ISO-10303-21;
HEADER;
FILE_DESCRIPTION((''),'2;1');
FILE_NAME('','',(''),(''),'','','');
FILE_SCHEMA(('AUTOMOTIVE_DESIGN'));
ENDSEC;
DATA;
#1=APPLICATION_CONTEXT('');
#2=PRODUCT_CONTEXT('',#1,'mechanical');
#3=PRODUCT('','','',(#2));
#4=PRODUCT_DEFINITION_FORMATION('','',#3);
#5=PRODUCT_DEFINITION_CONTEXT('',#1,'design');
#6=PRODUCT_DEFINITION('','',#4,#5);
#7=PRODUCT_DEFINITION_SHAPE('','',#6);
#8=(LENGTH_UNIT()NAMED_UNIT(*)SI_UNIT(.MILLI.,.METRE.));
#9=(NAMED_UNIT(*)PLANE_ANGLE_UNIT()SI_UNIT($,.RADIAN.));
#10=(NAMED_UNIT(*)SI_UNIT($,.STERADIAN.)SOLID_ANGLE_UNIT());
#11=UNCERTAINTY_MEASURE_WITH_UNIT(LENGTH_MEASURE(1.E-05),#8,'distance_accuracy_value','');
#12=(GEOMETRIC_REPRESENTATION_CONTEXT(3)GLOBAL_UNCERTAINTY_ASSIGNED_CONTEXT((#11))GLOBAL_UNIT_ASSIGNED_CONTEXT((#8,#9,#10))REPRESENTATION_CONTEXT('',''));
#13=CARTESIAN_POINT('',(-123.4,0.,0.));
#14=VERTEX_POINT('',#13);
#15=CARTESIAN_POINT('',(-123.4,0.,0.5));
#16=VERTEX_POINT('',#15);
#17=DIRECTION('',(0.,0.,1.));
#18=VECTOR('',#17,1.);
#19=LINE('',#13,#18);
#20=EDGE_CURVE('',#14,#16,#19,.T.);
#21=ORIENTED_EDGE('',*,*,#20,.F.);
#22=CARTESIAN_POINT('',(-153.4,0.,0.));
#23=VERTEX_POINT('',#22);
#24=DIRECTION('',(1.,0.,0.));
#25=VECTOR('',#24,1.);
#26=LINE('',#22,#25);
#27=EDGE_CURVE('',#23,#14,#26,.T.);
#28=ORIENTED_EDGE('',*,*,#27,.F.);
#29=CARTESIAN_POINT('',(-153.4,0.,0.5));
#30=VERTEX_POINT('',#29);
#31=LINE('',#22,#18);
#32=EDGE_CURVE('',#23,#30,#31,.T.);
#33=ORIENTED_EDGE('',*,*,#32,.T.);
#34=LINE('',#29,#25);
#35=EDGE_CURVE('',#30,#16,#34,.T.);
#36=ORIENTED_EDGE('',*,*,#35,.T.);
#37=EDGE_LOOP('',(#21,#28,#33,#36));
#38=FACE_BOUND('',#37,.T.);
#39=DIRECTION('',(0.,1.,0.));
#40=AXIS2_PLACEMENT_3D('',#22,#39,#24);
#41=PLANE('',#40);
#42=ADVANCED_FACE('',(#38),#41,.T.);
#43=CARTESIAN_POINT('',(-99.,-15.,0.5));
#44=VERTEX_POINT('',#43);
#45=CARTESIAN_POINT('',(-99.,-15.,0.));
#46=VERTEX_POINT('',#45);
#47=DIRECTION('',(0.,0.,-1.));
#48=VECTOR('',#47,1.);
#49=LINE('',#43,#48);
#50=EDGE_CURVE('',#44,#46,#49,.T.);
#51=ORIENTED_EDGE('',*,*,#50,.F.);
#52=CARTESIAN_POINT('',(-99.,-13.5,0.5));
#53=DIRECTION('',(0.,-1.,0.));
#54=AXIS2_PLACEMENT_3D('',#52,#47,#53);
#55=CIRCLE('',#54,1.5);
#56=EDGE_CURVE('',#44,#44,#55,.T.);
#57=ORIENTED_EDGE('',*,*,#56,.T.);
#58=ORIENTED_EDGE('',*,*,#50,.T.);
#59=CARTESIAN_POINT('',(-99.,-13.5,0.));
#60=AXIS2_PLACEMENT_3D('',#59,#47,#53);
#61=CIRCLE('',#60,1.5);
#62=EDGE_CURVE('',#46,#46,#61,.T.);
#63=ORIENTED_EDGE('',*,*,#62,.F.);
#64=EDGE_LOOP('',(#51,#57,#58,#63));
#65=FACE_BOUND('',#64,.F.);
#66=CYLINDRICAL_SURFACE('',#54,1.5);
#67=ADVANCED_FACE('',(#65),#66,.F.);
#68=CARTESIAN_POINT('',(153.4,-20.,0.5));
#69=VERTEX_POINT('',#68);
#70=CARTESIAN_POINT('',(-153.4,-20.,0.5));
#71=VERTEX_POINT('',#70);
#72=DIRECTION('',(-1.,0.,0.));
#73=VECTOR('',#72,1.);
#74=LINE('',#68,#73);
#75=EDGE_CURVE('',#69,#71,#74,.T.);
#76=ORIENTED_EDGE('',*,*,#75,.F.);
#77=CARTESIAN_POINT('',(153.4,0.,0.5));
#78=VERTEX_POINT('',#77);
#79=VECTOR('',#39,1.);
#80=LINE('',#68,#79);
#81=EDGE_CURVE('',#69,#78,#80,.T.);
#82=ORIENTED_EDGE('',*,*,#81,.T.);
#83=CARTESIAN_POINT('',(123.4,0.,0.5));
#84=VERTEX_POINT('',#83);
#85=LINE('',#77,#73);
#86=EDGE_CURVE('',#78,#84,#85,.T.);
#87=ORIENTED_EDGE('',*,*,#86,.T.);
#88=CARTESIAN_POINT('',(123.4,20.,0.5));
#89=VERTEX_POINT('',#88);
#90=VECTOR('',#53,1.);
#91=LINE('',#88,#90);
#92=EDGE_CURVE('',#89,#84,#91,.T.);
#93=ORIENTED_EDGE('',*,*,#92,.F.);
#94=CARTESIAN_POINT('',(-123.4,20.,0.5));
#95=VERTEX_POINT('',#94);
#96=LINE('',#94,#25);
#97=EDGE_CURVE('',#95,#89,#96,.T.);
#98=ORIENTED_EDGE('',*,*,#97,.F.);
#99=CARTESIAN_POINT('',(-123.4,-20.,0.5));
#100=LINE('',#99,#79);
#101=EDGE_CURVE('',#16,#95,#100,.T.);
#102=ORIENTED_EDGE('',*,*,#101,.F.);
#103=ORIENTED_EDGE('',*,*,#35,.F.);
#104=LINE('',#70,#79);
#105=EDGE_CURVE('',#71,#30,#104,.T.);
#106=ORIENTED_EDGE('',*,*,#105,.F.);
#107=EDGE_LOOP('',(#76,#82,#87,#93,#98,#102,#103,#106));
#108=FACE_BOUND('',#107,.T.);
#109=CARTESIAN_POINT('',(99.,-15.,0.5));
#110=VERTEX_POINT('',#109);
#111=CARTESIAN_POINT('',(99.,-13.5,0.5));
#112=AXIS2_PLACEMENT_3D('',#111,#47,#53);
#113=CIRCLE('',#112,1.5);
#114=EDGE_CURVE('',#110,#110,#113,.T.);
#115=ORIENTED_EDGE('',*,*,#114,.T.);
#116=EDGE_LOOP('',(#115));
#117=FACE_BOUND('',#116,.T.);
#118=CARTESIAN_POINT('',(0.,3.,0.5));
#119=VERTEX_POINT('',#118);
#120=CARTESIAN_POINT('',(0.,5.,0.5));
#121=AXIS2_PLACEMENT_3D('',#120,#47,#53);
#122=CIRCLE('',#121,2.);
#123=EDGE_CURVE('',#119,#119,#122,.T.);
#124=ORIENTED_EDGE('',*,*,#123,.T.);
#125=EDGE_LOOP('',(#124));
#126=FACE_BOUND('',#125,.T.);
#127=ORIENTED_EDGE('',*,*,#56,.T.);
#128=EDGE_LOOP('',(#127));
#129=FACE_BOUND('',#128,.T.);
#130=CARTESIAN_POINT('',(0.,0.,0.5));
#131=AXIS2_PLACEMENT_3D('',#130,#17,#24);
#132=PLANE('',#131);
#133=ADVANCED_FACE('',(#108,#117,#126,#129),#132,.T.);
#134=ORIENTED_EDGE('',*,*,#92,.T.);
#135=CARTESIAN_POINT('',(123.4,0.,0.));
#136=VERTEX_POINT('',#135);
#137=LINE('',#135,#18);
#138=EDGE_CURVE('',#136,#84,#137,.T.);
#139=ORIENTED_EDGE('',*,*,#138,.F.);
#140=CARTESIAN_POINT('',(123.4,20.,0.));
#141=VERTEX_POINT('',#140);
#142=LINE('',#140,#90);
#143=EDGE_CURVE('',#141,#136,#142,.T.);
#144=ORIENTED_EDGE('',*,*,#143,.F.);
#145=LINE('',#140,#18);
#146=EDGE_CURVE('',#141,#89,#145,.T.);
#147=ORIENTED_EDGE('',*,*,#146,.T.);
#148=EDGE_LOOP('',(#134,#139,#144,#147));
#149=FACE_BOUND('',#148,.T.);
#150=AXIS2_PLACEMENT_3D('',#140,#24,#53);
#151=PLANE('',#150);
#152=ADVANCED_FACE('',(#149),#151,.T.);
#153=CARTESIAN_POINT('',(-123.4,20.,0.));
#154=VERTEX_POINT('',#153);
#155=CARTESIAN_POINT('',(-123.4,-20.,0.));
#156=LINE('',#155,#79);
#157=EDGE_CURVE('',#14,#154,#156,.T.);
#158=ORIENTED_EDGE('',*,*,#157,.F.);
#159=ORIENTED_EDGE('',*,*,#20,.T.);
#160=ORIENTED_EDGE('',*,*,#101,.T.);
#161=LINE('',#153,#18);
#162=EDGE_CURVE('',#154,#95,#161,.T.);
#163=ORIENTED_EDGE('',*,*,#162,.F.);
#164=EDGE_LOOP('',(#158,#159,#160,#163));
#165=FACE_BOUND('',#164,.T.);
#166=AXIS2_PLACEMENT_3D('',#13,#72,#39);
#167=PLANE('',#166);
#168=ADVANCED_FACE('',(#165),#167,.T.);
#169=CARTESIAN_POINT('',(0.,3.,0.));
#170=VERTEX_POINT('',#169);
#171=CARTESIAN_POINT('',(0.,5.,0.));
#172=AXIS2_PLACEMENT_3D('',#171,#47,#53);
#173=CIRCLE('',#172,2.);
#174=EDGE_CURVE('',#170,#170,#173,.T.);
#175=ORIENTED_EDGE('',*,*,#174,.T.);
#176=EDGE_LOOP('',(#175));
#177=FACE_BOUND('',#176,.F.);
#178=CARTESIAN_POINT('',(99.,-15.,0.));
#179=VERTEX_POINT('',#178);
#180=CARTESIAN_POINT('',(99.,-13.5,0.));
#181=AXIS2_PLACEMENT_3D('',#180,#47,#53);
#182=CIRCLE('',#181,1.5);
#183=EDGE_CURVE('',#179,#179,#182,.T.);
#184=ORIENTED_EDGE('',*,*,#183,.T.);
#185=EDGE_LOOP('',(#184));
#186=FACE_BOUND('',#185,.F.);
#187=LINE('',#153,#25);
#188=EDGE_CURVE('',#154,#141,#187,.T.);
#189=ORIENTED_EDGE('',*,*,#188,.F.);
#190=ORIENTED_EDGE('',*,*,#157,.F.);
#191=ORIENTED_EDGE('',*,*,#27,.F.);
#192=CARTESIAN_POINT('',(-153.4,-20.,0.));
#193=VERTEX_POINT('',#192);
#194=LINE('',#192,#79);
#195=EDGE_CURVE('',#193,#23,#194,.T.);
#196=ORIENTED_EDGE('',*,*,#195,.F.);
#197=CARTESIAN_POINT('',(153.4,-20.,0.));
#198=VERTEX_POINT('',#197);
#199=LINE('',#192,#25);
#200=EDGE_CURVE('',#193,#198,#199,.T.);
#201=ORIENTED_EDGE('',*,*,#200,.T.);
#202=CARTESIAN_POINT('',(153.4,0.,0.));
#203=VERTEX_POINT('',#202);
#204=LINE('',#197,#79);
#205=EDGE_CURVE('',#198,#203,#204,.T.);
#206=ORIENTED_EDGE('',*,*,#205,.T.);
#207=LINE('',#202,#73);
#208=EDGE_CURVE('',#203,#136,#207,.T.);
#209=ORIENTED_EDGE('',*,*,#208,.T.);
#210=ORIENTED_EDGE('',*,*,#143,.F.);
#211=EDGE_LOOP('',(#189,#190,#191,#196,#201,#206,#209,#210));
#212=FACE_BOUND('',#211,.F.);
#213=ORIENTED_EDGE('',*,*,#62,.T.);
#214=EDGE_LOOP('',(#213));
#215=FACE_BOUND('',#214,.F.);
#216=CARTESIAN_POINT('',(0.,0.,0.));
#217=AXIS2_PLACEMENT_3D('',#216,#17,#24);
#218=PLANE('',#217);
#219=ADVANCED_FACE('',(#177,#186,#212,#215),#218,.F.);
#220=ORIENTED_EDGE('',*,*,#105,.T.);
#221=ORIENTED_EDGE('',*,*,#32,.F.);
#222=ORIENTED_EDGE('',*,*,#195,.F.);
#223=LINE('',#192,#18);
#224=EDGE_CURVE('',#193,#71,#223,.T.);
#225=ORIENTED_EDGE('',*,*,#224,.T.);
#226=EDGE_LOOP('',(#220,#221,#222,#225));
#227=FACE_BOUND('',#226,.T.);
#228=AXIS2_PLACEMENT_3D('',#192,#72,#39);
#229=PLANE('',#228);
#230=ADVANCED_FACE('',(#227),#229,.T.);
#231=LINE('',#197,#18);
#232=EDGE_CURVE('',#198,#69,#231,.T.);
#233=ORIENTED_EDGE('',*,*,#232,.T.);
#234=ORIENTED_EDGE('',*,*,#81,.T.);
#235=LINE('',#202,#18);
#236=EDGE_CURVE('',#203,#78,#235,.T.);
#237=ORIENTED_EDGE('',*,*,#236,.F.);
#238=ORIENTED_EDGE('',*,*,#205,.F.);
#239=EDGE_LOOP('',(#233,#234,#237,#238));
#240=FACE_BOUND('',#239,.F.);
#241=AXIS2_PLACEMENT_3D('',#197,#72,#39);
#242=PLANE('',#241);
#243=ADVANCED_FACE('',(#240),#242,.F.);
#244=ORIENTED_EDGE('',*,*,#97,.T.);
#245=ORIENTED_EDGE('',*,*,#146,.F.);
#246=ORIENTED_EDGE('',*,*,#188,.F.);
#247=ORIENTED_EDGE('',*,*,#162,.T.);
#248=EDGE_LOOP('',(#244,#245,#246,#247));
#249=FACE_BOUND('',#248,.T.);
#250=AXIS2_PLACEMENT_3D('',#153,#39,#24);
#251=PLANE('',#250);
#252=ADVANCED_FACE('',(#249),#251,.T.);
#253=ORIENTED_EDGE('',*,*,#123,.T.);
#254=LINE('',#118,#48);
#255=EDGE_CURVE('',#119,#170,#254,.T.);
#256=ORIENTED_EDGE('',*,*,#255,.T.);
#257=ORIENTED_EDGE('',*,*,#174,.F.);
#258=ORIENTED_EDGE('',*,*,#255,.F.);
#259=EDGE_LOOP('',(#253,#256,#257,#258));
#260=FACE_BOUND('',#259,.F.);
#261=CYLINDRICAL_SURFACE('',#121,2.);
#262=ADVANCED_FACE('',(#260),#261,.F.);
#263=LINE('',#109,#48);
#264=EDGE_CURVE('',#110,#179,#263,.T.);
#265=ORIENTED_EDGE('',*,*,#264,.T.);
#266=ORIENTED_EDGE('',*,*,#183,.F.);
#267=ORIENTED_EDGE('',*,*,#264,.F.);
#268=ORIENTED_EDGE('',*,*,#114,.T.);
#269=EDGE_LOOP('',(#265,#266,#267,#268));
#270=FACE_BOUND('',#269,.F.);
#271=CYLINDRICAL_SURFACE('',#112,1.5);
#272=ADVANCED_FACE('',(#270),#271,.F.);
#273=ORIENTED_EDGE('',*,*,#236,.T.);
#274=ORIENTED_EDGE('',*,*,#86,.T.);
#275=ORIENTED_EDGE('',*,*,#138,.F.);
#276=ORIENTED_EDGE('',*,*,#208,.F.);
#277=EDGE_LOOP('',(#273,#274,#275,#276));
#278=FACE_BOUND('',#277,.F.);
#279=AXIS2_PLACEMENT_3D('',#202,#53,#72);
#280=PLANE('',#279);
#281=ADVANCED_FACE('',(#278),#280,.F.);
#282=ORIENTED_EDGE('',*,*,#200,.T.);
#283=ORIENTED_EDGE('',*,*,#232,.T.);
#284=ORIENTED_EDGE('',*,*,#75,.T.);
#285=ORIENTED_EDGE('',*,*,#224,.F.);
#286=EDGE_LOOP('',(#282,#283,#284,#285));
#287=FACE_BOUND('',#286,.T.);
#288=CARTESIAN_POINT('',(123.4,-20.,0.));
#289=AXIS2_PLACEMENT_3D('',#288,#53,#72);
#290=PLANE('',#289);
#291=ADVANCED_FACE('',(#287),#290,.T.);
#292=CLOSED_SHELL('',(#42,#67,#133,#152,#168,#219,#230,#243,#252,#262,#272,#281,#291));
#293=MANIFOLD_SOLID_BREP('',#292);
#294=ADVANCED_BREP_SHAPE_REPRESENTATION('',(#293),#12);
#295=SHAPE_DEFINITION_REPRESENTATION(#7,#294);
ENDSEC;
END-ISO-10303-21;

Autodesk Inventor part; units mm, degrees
ref_plane "YZ Plane" through (0, 0, 0) normal (1, 0, 0) x (0, 1, 0)
ref_plane "XZ Plane" through (0, 0, 0) normal (0, 1, 0) x (-1, 0, 0)
ref_plane "XY Plane" through (0, 0, 0) normal (0, 0, 1) x (1, 0, 0)
sketch "Esboço1" plane through (0, 0, 0) normal (0, 0, 1) x (1, 0, 0)
  line L0 (123.4, -20) -> (-123.4, -20)
  line L1 (-123.4, -20) -> (-123.4, 20)
  line L2 (-123.4, 20) -> (123.4, 20)
  line L3 (123.4, 20) -> (123.4, -20)
  line L4 (123.4, -20) -> (-123.4, 20) construction
  line L5 (-123.4, -20) -> (123.4, 20) construction
  line L6 (-123.4, -20) -> (-153.4, -20)
  line L7 (-153.4, -20) -> (-153.4, 0)
  line L8 (-153.4, 0) -> (-123.4, 0)
  line L9 (-123.4, 0) -> (-123.4, -20)
  line L10 (123.4, -20) -> (153.4, -20)
  line L11 (153.4, -20) -> (153.4, 0)
  line L12 (153.4, 0) -> (123.4, 0)
  line L13 (123.4, 0) -> (123.4, -20)
  point P0 (0, 0)
  dimension "d0" = 246.8
  dimension "d1" = 40
  dimension "d2" = 30
  dimension "d3" = 20
  dimension "d4" = 30
  dimension "d5" = 20
extrude "Placa1" add sketch "Esboço1" along normal blind 0.5
hole "Furo1" at (0, 5, 0.5) direction (0, 0, -1) diameter 4 depth 0.5 tip angle 118
hole "Furo2" at (-99, -13.5, 0.5) direction (0, 0, -1) diameter 3 depth 0.5 tip angle 118
hole "Furo3" at (99, -13.5, 0.5) direction (0, 0, -1) diameter 3 end through all
equation "\"d14\" = Espessura"
equation "\"d23\" = Espessura"
equation "\"d33\" = Espessura"
equation "\"d6\" = Espessura"
equation "\"Raio_vergadura\" = Espessura"
equation "\"Largura_alívio_de_vergadura\" = Espessura"
equation "\"Profundidade_alívio_de_vergadura\" = 0.5 * Espessura"
equation "\"Tamanho_alívio_de_dobra\" = 4 * Espessura"
equation "\"Remanescente_mínimo\" = 2 * Espessura"
equation "\"Raiodetransição\" = Raio_vergadura"
equation "\"Tamanho_de_raio_de_Jacobi\" = Raio_vergadura"
equation "\"TamanhoFolga\" = Espessura"
equation "\"Espessura\" = 0.5"
properties part number "Tampa Gaveta" material "PMMA plástico"
